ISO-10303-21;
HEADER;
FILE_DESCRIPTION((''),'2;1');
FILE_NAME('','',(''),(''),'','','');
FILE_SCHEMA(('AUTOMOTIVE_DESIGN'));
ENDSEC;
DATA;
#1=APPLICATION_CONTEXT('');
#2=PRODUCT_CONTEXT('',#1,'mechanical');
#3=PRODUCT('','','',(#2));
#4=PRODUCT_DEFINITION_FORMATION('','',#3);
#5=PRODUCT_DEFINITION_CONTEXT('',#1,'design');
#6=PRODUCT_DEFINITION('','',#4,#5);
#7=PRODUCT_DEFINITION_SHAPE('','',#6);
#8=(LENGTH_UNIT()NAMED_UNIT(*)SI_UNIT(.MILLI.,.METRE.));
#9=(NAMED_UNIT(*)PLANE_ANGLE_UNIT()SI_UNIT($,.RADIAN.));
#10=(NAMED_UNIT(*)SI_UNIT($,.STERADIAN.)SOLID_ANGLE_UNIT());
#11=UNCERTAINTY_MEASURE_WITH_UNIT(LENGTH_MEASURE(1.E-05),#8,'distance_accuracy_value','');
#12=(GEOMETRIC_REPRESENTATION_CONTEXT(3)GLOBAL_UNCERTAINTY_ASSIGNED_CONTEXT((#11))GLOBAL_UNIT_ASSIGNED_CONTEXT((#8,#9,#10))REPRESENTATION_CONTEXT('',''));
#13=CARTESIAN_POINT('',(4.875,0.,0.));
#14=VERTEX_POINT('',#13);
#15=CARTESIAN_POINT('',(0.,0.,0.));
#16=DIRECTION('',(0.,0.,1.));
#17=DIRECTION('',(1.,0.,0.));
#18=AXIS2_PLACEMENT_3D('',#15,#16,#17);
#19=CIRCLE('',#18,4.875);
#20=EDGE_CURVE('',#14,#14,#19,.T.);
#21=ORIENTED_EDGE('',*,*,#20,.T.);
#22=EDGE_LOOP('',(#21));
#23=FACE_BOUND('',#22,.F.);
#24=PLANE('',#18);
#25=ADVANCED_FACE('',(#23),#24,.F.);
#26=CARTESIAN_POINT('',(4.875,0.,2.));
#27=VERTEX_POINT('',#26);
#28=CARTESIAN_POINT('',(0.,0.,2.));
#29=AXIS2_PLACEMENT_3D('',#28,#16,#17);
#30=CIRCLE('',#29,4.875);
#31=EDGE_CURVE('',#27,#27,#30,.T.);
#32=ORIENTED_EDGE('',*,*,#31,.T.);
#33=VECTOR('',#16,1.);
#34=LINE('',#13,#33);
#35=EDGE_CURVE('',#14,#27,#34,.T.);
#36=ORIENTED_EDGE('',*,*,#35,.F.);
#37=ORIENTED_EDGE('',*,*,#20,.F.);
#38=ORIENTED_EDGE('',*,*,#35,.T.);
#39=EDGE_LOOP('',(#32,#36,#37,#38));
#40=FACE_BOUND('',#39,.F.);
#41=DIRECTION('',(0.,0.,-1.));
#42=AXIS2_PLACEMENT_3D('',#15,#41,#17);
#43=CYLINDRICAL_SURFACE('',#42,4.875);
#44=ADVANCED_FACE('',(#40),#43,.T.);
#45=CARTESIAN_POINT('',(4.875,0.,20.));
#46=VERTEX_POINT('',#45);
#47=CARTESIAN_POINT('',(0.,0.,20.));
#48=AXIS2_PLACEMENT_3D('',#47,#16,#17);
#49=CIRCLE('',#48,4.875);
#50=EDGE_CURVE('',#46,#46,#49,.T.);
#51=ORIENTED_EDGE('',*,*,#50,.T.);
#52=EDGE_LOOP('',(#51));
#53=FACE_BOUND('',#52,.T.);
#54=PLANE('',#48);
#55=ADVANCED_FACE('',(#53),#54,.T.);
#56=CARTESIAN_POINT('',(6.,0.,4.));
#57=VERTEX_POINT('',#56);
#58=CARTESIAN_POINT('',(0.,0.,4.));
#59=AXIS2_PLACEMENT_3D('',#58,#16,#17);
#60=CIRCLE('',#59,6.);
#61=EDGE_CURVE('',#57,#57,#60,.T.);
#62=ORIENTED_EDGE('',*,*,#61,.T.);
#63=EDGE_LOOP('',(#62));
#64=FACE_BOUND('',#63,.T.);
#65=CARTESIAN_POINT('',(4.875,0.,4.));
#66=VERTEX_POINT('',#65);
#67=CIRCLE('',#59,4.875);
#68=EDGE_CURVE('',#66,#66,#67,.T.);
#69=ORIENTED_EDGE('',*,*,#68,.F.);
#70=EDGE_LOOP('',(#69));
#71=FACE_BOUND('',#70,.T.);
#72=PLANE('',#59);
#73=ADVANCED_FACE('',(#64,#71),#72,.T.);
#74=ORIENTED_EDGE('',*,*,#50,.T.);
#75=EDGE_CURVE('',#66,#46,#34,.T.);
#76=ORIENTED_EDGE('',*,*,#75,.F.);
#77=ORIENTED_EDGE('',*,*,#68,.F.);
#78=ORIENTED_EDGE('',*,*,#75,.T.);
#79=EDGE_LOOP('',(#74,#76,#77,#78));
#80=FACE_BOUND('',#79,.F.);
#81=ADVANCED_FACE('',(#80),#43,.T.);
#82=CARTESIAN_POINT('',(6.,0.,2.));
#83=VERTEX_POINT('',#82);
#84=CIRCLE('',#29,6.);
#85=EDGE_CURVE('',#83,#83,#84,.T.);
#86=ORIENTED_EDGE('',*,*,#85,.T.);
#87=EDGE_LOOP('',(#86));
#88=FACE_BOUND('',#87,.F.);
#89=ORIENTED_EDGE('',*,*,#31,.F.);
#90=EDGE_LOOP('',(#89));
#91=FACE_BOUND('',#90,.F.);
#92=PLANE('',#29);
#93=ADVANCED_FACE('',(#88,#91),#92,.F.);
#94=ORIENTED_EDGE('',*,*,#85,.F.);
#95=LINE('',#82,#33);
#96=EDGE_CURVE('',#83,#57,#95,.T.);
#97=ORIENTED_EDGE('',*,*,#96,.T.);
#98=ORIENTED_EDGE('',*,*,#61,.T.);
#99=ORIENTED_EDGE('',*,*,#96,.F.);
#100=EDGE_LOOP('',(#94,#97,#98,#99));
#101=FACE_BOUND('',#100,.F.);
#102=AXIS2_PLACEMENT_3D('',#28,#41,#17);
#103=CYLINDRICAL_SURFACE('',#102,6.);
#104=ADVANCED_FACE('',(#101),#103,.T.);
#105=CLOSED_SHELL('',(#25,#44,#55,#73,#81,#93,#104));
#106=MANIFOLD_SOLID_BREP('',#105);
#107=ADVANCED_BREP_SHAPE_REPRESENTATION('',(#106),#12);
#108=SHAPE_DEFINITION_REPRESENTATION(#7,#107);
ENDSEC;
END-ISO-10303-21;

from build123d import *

# Parameters (mm, degrees)
F0_R     = 4.875
F1_DEPTH = 20
F2_START = 2
F0_R_2   = 6
F2_DEPTH = 2


with BuildPart() as f1:
    # F0 (on Top) → F1 (new body)
    with BuildSketch(Plane.XY):
        Circle(F0_R)
    extrude(amount=F1_DEPTH)

    # F0 (on Top) → F2 (join)
    with BuildSketch(Plane.XY.offset(F2_START)):
        Circle(F0_R_2)
        Circle(F0_R, mode=Mode.SUBTRACT)
    extrude(amount=F2_DEPTH)


solid = f1.part
